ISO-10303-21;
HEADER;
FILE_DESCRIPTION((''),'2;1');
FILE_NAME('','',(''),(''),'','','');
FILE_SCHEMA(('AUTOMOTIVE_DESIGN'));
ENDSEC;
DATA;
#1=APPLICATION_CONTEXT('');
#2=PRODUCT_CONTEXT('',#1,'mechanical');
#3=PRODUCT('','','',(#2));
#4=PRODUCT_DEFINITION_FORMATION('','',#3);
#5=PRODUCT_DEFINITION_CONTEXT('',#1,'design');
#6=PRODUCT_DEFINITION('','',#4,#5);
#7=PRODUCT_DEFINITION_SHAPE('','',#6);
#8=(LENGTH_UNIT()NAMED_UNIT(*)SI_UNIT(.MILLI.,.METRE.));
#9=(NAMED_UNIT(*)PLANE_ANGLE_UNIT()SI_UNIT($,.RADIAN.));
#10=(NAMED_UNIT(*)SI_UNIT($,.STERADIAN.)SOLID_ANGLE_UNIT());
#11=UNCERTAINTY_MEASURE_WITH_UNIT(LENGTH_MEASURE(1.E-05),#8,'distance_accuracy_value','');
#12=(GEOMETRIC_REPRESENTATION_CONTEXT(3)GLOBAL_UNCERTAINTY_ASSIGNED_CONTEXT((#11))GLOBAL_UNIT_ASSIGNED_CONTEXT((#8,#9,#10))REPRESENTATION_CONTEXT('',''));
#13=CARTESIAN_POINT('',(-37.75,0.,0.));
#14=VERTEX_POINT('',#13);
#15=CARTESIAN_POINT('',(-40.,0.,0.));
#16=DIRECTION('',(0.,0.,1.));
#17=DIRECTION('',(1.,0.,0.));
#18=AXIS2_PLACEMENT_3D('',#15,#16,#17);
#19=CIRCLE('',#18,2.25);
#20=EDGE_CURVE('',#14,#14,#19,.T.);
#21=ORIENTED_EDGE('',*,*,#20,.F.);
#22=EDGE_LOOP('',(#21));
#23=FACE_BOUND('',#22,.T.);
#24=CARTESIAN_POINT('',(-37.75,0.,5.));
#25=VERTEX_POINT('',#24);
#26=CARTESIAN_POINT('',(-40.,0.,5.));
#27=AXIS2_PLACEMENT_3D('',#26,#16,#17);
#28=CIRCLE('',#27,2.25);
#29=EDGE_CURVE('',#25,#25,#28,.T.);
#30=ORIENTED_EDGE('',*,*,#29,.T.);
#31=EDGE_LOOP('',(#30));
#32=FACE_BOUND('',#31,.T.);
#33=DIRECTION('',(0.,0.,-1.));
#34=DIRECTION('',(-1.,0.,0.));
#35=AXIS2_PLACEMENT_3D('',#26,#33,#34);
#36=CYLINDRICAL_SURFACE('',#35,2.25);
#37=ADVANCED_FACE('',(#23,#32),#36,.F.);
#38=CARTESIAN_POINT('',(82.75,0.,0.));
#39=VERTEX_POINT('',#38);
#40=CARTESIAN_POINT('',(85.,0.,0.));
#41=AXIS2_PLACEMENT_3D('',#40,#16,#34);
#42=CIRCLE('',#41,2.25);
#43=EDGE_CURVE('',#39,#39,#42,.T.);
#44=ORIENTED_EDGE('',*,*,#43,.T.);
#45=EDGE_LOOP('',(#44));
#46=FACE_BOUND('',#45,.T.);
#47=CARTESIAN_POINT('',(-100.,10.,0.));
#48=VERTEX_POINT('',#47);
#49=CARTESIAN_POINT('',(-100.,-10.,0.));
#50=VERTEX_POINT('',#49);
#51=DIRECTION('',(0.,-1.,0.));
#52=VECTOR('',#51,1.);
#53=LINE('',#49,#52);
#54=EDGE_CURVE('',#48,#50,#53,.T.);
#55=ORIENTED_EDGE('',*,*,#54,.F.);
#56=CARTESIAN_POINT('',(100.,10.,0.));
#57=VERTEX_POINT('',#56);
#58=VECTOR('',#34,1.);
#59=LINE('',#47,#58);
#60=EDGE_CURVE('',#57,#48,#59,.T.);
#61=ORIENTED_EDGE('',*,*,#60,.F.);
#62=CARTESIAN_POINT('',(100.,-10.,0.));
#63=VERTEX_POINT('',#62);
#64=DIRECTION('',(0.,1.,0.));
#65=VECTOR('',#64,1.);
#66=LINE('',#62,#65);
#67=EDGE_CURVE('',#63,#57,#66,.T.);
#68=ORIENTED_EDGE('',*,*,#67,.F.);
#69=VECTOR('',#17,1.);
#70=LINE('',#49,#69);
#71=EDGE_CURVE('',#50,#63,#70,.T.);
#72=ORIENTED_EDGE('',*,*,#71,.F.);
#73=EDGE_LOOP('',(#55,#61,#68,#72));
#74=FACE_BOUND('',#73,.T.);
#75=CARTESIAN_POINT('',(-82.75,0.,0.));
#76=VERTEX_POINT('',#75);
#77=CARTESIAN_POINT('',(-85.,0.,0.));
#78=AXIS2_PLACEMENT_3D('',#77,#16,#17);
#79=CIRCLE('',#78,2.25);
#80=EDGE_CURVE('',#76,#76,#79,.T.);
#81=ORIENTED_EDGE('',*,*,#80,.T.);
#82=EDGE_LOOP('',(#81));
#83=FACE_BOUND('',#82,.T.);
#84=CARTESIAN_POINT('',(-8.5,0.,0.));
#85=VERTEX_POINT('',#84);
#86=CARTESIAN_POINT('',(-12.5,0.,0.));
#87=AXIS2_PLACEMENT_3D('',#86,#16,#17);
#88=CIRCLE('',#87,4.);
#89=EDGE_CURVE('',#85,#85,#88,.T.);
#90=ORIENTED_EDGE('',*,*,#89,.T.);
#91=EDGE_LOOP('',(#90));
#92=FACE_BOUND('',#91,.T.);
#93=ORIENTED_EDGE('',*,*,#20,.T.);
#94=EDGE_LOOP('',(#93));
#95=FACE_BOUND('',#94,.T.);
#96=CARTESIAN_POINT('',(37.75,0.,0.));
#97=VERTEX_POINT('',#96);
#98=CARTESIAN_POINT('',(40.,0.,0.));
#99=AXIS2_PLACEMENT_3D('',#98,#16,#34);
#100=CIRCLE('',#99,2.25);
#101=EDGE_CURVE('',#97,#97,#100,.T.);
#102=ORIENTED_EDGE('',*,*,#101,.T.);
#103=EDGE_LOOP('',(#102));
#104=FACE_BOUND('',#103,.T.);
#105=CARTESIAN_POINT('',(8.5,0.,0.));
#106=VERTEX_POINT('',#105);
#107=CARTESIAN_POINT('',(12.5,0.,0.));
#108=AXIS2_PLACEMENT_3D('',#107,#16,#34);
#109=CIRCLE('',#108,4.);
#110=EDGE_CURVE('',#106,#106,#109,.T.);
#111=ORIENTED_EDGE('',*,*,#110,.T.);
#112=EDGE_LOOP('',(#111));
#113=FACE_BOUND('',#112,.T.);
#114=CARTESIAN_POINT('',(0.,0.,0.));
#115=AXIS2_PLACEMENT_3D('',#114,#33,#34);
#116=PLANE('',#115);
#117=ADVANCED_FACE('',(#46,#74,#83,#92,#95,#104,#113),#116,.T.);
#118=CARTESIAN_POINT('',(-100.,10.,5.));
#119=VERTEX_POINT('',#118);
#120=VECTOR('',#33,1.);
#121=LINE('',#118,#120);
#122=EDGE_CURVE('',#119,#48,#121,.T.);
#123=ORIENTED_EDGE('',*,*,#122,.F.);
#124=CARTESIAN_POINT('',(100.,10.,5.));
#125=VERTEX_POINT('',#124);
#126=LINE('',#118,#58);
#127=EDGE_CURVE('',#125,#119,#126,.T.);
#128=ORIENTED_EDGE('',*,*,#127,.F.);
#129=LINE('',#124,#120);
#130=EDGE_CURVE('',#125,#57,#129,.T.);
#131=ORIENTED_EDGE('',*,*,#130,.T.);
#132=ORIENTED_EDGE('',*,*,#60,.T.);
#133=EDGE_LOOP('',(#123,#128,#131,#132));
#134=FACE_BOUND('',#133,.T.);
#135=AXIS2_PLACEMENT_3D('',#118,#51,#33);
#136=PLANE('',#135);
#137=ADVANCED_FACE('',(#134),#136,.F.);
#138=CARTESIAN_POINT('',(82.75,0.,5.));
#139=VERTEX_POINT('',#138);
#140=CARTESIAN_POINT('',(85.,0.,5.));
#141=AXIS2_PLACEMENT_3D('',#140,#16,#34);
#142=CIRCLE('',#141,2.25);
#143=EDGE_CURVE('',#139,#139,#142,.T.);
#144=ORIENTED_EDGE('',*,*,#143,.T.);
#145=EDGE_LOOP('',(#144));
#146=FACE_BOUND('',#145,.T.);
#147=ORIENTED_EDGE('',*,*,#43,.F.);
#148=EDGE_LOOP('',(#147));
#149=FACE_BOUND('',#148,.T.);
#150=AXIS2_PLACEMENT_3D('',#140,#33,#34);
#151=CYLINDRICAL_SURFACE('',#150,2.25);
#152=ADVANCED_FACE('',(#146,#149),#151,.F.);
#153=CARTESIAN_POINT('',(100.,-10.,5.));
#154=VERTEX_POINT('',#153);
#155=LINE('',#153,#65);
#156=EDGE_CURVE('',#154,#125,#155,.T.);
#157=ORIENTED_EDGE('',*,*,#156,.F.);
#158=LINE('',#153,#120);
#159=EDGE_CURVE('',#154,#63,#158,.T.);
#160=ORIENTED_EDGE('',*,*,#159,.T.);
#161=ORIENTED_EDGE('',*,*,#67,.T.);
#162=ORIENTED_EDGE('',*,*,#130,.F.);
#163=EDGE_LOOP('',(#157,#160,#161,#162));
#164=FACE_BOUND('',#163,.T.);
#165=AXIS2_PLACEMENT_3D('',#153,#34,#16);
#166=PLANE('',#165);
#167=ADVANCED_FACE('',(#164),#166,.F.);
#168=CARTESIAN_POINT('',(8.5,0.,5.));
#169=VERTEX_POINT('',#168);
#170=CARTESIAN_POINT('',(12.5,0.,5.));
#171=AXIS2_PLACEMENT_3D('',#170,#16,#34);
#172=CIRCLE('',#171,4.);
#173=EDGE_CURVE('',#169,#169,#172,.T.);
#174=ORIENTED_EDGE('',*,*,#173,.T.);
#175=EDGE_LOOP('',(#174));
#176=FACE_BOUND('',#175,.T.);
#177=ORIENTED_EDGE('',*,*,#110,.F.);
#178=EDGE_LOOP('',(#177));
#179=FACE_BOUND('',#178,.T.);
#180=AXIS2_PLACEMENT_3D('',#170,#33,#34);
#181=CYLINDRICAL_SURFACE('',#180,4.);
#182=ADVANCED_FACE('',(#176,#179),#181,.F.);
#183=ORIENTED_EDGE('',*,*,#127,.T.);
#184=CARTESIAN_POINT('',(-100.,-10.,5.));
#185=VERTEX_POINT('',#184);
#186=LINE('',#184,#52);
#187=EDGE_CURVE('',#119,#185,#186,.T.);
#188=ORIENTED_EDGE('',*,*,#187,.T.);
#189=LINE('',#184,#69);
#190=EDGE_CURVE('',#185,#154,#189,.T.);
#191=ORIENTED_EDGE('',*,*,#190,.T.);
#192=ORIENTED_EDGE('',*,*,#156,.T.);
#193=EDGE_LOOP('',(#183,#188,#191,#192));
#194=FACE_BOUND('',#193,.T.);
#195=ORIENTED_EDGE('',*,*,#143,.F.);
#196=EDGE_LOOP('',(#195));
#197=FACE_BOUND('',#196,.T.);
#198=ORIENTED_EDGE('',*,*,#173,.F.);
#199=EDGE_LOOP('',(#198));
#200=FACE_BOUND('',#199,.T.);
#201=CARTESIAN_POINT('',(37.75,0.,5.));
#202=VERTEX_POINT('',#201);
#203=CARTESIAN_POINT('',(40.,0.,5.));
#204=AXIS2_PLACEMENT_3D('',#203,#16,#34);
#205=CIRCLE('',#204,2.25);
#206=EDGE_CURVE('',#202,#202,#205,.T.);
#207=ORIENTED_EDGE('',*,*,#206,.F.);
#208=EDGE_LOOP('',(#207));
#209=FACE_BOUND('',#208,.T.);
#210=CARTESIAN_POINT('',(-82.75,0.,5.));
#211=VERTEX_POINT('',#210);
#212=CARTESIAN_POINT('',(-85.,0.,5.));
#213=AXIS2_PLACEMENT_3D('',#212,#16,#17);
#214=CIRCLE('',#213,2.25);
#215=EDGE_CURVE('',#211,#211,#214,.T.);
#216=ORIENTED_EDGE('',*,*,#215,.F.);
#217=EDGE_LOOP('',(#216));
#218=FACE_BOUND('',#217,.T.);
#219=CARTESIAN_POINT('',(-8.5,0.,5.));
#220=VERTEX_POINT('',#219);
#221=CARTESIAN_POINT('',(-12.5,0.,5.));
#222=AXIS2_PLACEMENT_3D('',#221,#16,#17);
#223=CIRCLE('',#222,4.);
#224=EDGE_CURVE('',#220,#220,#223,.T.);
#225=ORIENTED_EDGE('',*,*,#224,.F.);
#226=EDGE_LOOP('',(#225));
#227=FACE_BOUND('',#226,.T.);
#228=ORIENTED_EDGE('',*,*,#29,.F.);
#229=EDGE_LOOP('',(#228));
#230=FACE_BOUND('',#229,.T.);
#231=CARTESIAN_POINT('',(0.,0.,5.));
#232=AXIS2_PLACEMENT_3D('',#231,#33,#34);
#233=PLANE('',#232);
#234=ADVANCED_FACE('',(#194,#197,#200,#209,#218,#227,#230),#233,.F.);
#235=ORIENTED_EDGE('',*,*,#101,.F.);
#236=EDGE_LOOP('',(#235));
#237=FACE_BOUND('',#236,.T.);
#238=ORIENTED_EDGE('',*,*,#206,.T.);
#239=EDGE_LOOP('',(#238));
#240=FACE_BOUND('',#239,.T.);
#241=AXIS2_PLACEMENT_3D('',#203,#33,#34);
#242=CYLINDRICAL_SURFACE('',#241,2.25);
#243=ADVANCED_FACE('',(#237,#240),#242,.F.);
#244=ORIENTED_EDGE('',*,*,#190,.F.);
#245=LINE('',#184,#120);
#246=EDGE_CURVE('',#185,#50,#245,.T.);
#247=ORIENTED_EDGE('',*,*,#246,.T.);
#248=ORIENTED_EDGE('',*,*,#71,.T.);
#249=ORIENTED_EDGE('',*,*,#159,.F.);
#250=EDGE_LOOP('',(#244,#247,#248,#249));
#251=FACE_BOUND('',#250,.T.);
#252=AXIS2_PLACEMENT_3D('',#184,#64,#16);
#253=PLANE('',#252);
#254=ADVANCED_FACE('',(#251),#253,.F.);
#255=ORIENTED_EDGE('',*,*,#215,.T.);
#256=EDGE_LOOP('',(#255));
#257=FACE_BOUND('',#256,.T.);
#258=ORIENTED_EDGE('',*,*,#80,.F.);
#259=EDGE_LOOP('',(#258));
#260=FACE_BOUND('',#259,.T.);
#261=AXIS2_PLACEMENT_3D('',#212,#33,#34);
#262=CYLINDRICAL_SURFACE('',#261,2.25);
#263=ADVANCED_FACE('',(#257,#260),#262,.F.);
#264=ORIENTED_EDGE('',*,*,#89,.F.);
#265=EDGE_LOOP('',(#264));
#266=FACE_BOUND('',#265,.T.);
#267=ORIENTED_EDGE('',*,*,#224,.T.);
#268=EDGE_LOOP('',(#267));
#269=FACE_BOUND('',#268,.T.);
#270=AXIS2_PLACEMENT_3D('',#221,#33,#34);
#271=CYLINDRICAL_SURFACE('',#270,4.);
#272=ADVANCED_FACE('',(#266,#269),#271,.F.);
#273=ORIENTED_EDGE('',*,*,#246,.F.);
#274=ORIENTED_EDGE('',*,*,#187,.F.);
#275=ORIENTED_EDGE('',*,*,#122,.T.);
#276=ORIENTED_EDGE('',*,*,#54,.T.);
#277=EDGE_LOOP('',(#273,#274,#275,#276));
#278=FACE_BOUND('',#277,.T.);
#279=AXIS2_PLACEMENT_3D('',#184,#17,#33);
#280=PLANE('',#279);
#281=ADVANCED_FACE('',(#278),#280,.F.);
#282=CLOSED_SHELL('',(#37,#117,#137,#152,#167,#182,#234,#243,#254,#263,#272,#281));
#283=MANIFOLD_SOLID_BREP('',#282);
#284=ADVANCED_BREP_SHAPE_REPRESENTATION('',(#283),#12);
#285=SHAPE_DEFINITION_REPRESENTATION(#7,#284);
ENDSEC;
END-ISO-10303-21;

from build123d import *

# Parameters (mm, degrees)
ESQUISSE1_W        = 200
ESQUISSE1_H        = 20
ESQUISSE1_R        = 2.25
ESQUISSE1_R_2      = 4
BOSS_EXTRU_1_DEPTH = 5


with BuildPart() as part:
    # Esquisse1 → Boss.-Extru.1 (new body)
    with BuildSketch(Plane.XY):
        Rectangle(ESQUISSE1_W, ESQUISSE1_H)
        with Locations((-85, 0)):
            Circle(ESQUISSE1_R, mode=Mode.SUBTRACT)
        with Locations((-40, 0)):
            Circle(ESQUISSE1_R, mode=Mode.SUBTRACT)
        with Locations(Location((40, 0, 0), (0, 0, 180))):
            Circle(ESQUISSE1_R, mode=Mode.SUBTRACT)
        with Locations(Location((85, 0, 0), (0, 0, 180))):
            Circle(ESQUISSE1_R, mode=Mode.SUBTRACT)
        with Locations((-12.5, 0)):
            Circle(ESQUISSE1_R_2, mode=Mode.SUBTRACT)
        with Locations(Location((12.5, 0, 0), (0, 0, 180))):
            Circle(ESQUISSE1_R_2, mode=Mode.SUBTRACT)
    extrude(amount=BOSS_EXTRU_1_DEPTH)


solid = part.part
